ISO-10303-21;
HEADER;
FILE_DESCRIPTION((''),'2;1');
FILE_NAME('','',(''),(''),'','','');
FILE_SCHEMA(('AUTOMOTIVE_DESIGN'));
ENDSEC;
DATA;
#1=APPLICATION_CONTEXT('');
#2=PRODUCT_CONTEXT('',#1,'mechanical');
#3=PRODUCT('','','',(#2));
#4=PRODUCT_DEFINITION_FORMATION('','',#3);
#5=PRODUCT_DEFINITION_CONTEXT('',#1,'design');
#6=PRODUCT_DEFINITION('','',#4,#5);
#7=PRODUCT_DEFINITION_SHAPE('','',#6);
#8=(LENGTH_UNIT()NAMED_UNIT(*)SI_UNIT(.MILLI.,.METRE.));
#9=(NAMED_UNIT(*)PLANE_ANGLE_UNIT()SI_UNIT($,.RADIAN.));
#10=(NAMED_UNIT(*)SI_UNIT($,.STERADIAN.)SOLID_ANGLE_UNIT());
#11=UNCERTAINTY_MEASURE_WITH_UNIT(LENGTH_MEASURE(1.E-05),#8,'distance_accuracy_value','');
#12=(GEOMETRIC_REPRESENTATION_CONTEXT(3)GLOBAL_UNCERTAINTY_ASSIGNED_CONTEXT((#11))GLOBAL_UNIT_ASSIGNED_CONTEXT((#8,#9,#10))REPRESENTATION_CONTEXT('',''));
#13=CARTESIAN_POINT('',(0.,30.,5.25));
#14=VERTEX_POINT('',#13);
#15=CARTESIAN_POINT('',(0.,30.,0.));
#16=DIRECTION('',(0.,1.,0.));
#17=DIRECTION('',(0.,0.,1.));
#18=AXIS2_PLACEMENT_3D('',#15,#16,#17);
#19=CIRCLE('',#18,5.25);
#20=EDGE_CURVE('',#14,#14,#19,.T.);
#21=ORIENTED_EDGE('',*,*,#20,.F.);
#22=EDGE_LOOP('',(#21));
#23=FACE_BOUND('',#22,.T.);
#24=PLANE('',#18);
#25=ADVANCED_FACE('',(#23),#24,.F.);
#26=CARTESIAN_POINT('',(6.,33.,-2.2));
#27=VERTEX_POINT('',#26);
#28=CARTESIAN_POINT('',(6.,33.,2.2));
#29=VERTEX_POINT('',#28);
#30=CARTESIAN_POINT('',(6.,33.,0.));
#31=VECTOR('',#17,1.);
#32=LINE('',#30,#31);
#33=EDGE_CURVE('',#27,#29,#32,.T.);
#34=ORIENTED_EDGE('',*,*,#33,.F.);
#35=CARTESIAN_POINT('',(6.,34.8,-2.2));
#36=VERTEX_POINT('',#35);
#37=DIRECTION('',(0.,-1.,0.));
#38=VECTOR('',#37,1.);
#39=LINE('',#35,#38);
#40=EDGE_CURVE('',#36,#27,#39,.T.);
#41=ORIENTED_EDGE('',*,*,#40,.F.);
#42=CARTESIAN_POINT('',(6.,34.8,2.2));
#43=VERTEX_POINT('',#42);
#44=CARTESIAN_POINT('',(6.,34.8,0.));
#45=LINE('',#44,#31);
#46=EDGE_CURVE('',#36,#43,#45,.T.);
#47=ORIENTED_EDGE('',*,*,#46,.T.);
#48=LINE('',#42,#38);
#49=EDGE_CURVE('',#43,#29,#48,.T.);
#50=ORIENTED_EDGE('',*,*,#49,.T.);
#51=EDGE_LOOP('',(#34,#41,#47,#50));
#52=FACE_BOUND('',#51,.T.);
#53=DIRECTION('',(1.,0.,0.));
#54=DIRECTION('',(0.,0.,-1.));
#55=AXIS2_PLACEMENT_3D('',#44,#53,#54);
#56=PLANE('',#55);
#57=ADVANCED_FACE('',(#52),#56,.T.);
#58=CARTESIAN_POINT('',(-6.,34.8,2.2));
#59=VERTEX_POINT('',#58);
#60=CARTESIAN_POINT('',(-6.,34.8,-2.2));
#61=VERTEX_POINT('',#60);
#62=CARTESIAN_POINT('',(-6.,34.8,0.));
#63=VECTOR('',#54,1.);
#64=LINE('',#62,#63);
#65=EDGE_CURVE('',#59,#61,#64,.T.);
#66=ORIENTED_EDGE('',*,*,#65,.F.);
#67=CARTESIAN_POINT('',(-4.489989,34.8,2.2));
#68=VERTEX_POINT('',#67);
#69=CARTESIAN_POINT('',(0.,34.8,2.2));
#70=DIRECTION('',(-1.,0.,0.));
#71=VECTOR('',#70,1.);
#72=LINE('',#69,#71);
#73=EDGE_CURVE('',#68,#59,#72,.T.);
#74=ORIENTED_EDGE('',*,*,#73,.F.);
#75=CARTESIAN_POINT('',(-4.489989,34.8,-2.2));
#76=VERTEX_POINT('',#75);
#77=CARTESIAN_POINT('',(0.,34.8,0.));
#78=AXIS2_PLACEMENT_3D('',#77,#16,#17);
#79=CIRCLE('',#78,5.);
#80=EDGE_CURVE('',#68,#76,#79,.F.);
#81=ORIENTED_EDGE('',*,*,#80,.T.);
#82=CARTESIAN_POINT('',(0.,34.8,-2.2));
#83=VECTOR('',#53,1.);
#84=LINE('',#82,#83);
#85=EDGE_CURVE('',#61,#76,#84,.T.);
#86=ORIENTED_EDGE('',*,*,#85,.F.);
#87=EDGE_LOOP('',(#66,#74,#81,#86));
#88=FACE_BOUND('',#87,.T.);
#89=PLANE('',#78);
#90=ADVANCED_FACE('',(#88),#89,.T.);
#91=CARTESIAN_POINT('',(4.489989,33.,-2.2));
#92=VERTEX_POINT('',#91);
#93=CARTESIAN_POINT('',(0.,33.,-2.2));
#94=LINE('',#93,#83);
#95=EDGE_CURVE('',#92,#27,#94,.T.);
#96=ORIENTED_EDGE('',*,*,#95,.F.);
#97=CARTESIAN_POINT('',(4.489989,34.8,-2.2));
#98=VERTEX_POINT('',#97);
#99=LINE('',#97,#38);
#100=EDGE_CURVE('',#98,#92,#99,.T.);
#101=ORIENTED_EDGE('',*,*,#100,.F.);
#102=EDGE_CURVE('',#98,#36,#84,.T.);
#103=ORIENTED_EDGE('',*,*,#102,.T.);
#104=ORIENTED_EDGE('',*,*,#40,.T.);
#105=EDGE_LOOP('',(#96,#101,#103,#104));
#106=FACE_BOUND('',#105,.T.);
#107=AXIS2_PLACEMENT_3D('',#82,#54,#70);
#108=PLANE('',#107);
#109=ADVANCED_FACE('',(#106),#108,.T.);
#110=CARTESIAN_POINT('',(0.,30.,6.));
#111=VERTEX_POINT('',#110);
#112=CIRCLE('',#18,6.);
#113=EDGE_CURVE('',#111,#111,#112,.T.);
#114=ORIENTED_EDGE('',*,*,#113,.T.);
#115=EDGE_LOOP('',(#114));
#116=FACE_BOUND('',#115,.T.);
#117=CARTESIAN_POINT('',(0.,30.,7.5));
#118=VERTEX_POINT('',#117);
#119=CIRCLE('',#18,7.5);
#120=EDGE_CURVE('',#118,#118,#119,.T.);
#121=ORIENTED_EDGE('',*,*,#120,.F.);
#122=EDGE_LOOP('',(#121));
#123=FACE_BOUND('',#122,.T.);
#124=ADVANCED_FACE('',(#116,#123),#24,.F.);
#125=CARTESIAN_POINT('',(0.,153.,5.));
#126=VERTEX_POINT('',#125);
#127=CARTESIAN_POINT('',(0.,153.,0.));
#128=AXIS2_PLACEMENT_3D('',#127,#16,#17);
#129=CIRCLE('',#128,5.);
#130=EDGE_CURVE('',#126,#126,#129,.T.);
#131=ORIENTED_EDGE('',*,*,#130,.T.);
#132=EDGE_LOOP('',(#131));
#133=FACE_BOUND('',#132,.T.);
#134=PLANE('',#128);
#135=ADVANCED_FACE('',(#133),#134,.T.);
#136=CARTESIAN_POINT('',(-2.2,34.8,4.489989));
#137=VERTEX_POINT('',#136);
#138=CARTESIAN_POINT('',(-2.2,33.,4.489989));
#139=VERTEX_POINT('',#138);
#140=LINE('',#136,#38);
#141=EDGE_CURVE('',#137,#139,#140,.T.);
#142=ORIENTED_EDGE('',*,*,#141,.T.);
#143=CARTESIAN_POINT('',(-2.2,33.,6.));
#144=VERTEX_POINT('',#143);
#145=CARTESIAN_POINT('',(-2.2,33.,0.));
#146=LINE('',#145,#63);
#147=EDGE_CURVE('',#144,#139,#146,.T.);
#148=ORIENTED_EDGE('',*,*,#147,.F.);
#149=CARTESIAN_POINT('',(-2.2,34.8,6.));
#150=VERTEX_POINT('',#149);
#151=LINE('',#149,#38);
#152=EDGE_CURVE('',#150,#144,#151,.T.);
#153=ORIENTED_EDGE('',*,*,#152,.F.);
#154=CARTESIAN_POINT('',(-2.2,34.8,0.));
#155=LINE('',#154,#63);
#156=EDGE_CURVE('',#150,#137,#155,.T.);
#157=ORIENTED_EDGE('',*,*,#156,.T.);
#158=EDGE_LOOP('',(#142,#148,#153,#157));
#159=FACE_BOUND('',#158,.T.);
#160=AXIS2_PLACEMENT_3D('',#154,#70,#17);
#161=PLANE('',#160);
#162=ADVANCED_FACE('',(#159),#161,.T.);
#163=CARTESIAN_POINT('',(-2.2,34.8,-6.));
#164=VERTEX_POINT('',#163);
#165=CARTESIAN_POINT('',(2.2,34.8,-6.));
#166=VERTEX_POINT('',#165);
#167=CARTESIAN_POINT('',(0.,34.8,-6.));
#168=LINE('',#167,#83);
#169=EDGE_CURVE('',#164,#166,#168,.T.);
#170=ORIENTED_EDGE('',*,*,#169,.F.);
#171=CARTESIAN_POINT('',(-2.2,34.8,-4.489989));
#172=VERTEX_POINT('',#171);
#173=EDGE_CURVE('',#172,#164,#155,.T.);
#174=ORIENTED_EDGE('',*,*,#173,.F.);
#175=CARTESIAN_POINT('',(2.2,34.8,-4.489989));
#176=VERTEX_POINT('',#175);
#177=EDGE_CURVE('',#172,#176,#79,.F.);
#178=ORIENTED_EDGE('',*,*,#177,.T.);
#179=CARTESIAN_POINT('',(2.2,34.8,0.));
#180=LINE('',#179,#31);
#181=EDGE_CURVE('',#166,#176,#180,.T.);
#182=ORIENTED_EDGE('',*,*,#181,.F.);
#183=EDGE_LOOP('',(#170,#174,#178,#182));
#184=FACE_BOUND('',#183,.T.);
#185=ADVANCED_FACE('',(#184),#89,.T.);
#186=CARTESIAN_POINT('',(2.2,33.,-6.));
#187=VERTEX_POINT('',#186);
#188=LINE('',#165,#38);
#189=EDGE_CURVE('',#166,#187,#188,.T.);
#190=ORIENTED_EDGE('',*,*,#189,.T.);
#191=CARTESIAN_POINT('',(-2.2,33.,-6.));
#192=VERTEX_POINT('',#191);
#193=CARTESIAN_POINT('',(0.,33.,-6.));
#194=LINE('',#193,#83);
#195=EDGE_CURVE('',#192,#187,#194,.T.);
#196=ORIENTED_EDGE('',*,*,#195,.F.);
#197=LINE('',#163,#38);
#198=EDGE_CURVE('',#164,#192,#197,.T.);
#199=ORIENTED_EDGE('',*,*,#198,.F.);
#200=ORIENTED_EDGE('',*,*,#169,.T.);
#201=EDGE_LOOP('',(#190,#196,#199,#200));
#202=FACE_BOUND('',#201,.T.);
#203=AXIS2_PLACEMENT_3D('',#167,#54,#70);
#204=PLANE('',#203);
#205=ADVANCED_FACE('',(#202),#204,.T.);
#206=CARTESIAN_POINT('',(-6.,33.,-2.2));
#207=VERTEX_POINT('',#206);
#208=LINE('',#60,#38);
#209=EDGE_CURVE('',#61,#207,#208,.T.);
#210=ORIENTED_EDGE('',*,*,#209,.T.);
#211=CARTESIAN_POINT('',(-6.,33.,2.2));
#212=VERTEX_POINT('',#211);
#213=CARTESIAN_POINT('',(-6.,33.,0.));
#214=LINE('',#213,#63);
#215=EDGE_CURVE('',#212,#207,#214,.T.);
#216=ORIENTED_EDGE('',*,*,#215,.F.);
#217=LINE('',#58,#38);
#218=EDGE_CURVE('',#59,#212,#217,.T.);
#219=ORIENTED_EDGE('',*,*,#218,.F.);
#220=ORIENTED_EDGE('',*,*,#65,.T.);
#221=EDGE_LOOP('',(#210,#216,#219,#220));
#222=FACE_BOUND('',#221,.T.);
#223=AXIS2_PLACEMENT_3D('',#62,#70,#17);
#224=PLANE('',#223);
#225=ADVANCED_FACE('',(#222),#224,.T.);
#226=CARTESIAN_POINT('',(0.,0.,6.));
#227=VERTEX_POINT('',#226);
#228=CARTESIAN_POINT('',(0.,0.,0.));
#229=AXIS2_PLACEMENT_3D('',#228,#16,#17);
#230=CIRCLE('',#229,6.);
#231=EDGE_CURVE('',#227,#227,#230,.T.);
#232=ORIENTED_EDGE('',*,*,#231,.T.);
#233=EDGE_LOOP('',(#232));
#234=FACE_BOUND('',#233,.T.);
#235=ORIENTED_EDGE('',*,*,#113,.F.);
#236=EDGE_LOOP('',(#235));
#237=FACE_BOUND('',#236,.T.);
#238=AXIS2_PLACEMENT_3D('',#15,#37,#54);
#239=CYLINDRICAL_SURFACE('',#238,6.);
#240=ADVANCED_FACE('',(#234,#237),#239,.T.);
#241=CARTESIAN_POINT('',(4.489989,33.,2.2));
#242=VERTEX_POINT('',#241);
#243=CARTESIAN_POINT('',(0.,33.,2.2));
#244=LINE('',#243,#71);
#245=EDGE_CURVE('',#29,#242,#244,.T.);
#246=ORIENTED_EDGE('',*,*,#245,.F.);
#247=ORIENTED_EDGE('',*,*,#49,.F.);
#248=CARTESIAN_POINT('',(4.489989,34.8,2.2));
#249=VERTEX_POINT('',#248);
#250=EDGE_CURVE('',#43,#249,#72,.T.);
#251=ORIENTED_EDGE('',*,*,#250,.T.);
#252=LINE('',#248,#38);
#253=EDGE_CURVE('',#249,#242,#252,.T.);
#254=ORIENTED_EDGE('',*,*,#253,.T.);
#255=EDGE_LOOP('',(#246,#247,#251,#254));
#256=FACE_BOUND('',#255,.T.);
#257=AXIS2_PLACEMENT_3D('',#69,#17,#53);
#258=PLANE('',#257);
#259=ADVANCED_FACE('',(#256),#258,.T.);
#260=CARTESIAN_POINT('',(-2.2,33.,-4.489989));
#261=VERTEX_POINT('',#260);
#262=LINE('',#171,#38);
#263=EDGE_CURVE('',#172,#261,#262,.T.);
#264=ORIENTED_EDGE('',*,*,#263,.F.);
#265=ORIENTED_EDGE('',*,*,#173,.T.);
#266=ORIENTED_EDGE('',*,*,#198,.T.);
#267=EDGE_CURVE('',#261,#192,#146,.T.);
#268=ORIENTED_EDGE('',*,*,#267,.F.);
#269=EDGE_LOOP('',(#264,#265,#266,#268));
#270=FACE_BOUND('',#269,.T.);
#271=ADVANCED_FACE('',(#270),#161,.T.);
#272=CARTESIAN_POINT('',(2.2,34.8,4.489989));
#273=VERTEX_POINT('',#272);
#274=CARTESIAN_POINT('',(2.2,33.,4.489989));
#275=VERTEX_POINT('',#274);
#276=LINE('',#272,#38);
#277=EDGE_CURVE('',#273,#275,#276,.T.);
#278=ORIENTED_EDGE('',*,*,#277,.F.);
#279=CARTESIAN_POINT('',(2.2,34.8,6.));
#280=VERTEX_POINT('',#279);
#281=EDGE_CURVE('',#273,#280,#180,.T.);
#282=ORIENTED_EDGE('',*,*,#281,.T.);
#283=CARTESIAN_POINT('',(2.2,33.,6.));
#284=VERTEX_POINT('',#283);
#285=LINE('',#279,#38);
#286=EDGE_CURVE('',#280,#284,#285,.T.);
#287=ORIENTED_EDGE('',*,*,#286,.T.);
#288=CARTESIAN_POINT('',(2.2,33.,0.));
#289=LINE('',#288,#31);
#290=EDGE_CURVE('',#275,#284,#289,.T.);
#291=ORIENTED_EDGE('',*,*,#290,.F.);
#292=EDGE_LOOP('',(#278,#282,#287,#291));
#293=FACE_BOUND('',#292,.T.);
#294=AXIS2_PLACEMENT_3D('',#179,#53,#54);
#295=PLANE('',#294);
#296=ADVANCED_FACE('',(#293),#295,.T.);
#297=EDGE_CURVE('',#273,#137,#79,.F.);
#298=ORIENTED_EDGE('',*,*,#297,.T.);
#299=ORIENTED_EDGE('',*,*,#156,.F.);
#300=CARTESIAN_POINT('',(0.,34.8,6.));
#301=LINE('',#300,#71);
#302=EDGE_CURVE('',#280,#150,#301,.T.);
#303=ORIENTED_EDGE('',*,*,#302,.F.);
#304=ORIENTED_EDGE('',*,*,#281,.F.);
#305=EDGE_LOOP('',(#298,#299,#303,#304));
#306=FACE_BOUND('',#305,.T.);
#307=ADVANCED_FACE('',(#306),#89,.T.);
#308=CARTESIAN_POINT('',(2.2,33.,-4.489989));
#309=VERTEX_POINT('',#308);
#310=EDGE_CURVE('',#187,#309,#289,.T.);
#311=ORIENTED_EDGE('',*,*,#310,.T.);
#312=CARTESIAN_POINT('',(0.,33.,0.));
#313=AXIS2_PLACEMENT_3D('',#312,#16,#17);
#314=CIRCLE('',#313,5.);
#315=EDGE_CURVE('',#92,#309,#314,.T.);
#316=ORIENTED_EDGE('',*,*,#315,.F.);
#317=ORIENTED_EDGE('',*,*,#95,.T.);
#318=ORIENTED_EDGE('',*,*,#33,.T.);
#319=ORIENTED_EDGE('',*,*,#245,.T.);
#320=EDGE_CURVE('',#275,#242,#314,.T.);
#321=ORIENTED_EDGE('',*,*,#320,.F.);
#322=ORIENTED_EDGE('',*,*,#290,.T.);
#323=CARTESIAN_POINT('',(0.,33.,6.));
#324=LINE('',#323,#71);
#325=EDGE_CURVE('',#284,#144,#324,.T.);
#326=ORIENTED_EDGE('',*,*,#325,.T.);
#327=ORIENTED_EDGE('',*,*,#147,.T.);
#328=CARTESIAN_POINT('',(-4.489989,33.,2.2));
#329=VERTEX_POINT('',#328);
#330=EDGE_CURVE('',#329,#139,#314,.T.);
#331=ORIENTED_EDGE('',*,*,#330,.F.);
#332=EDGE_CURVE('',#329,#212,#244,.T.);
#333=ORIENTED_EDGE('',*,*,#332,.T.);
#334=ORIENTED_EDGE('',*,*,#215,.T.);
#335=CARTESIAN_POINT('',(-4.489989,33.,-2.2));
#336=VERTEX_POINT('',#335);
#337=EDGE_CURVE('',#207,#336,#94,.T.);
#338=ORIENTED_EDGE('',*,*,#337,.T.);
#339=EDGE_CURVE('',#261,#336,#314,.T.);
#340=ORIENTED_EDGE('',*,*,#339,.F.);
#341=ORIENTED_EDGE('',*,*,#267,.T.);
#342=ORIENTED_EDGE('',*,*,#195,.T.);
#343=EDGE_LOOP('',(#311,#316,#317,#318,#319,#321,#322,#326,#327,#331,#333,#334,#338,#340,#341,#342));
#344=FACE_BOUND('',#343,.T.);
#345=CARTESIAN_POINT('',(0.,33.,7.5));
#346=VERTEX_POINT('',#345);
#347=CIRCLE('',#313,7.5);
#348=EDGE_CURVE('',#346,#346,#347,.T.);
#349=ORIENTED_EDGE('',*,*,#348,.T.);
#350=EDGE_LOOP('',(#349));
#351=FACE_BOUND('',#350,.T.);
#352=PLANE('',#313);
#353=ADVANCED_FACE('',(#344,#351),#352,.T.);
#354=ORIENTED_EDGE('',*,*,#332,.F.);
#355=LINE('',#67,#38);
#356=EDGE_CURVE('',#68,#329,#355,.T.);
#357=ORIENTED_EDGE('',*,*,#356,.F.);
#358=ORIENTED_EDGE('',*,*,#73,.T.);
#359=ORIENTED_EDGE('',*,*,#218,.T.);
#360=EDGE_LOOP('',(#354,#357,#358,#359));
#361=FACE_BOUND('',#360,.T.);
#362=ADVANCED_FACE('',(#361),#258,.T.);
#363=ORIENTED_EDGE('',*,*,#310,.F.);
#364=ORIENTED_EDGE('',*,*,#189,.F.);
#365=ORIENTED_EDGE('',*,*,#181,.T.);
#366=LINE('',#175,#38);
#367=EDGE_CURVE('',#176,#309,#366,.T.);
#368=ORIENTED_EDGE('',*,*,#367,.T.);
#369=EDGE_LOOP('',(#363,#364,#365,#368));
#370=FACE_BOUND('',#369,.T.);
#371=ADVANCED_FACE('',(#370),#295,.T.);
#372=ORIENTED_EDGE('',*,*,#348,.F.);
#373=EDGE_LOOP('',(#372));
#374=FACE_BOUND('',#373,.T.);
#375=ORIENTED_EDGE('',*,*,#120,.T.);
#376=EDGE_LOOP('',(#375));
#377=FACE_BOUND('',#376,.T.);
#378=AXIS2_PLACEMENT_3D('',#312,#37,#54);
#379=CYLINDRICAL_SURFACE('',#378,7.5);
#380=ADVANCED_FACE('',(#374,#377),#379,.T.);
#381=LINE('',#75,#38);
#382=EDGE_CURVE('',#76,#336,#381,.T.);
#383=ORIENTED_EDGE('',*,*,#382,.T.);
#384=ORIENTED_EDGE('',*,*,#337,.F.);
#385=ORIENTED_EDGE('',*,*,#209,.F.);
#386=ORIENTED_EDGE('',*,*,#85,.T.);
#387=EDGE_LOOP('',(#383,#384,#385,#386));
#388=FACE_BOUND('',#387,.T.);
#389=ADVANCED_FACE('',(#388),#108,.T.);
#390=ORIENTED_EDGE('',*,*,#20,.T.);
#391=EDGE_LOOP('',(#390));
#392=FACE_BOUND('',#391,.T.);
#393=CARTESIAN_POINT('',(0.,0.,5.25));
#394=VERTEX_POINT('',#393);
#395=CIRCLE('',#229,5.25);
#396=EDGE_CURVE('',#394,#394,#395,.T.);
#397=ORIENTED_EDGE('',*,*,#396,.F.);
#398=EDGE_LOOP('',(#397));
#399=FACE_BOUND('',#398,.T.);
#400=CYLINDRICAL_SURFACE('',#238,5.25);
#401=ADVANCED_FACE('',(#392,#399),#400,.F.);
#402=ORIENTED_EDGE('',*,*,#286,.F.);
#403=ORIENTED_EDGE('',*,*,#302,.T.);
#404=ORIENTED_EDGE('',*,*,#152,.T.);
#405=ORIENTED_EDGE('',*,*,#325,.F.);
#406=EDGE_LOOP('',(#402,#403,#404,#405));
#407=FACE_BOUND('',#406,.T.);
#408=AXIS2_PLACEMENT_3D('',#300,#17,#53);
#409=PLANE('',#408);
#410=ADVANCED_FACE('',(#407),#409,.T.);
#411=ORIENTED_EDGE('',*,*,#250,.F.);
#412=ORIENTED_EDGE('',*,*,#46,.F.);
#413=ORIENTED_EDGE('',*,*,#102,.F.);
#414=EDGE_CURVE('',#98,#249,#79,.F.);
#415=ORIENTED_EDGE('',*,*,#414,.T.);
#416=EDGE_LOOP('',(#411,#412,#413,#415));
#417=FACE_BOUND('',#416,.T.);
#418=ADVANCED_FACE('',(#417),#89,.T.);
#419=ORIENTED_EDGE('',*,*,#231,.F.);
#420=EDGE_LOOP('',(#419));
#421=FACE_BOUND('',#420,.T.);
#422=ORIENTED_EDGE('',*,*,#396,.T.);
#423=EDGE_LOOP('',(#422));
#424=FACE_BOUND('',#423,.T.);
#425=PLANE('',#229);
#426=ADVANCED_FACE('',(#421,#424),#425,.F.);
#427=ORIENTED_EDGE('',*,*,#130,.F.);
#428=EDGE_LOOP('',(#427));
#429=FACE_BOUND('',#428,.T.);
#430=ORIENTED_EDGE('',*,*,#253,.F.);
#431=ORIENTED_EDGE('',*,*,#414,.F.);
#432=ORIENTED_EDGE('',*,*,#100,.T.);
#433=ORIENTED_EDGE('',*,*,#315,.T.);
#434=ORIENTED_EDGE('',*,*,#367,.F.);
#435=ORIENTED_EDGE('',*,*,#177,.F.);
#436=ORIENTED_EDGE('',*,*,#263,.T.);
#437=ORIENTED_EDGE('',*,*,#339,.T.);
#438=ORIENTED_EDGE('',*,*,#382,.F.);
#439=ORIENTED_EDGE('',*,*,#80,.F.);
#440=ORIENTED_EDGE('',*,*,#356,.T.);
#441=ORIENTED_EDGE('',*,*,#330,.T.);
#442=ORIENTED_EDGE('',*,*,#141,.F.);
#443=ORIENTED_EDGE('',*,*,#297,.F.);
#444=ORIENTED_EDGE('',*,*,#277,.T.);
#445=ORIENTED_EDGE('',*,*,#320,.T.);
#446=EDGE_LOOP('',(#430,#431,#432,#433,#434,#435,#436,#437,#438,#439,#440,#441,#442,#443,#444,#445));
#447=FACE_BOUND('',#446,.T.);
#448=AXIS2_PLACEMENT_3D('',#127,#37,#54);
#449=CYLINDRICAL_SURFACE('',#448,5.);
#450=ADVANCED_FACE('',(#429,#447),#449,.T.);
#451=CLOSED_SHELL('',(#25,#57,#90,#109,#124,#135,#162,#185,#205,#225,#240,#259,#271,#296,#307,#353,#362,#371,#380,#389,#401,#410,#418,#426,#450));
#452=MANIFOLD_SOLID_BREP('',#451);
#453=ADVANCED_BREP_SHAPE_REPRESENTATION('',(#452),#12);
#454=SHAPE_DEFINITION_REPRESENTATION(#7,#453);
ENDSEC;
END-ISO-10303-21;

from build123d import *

# Parameters (mm, degrees)
SKETCH_1_R      = 6
SKETCH_1_R_2    = 5.25
EXTRUDE_2_DEPTH = 30
SKETCH_2_R      = 7.5
EXTRUDE_3_DEPTH = 3
SKETCH_3_R      = 5
EXTRUDE_4_DEPTH = 120
EXTRUDE_6_DEPTH = 1.8


with BuildPart() as part:
    # 草图1 → 凸台-拉伸2 (new body)
    with BuildSketch(Plane(origin=(0, 0, 0), x_dir=(1, 0, 0), z_dir=(0, 1, 0))):
        with Locations(Location((0, 0, 0), (0, 0, 270))):
            Circle(SKETCH_1_R)
        with Locations(Location((0, 0, 0), (0, 0, 270))):
            Circle(SKETCH_1_R_2, mode=Mode.SUBTRACT)
    extrude(amount=EXTRUDE_2_DEPTH)

    # 草图2 → 凸台-拉伸3 (add)
    with BuildSketch(Plane(origin=(0, 30, 0), x_dir=(1, 0, 0), z_dir=(0, 1, 0))):
        with Locations(Location((0, 0, 0), (0, 0, 270))):
            Circle(SKETCH_2_R)
    extrude(amount=EXTRUDE_3_DEPTH)

    # 草图3 → 凸台-拉伸4 (add)
    with BuildSketch(Plane(origin=(0, 33, 0), x_dir=(1, 0, 0), z_dir=(0, 1, 0))):
        with Locations(Location((0, 0, 0), (0, 0, 270))):
            Circle(SKETCH_3_R)
    extrude(amount=EXTRUDE_4_DEPTH)

    # 草图4 → 凸台-拉伸6 (add)
    with BuildSketch(Plane(origin=(0, 33, 0), x_dir=(1, 0, 0), z_dir=(0, 1, 0))):
        with BuildLine():
            Line((6, 2.2), (4.489988864, 2.2))
            ThreePointArc((4.489988864, 2.2), (4.870828693, 1.129171307), (5, 0))
            ThreePointArc((5, 0), (4.870828693, -1.129171307), (4.489988864, -2.2))
            Line((4.489988864, -2.2), (6, -2.2))
            Line((6, -2.2), (6, 2.2))
        make_face()
        with BuildLine():
            ThreePointArc((2.2, -4.489988864), (0, -5), (-2.2, -4.489988864))
            Line((-2.2, -4.489988864), (-2.2, -6))
            Line((-2.2, -6), (2.2, -6))
            Line((2.2, -6), (2.2, -4.489988864))
        make_face()
        with BuildLine():
            Line((-2.2, 6), (-2.2, 4.489988864))
            ThreePointArc((-2.2, 4.489988864), (0, 5), (2.2, 4.489988864))
            Line((2.2, 4.489988864), (2.2, 6))
            Line((2.2, 6), (-2.2, 6))
        make_face()
        with BuildLine():
            ThreePointArc((-4.489988864, -2.2), (-5, 0), (-4.489988864, 2.2))
            Line((-4.489988864, 2.2), (-6, 2.2))
            Line((-6, 2.2), (-6, -2.2))
            Line((-6, -2.2), (-4.489988864, -2.2))
        make_face()
    extrude(amount=EXTRUDE_6_DEPTH)


solid = part.part
